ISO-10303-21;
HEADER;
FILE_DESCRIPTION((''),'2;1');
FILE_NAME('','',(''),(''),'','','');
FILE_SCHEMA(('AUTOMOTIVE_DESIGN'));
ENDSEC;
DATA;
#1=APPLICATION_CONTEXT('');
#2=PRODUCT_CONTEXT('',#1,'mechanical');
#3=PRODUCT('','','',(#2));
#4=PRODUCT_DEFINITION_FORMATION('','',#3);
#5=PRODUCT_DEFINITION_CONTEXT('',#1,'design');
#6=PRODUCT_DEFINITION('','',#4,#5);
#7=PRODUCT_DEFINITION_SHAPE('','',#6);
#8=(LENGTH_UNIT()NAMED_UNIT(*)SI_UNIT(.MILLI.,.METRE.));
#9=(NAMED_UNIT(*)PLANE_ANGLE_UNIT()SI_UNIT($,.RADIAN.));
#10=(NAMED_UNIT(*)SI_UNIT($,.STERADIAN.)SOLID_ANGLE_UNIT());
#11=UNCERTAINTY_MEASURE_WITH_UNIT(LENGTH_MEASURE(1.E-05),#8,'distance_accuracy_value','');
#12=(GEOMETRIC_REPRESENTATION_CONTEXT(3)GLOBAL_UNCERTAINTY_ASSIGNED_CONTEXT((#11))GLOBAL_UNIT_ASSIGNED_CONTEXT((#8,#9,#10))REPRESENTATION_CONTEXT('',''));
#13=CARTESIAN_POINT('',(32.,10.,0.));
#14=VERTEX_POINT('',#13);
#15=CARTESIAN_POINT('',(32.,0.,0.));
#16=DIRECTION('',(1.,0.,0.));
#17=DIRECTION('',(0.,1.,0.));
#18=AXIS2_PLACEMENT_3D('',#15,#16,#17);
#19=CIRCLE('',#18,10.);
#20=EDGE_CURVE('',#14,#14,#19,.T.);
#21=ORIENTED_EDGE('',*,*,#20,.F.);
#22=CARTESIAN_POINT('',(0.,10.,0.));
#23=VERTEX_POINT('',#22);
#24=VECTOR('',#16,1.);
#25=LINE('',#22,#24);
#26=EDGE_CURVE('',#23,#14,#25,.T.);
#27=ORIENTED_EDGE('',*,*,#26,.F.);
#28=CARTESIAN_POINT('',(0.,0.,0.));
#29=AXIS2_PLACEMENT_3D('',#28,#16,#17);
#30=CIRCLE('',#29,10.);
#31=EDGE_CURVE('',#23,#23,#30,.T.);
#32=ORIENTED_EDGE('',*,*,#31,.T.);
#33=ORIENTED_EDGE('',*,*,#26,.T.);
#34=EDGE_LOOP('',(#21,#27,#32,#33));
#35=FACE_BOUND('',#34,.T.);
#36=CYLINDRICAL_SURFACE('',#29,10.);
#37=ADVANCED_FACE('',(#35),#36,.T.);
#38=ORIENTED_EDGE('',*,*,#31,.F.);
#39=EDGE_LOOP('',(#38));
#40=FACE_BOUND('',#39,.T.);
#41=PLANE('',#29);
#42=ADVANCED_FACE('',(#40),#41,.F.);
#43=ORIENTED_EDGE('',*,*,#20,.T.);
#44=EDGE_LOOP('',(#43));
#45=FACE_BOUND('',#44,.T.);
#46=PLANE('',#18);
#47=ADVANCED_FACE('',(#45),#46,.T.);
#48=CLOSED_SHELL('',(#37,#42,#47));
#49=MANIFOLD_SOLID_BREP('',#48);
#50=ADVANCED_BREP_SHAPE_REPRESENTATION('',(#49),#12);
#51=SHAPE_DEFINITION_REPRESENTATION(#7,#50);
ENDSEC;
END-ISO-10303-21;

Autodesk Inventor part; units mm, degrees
ref_plane "YZ Plane" through (0, 0, 0) normal (1, 0, 0) x (0, 1, 0)
ref_plane "XZ Plane" through (0, 0, 0) normal (0, 1, 0) x (-1, 0, 0)
ref_plane "XY Plane" through (0, 0, 0) normal (0, 0, 1) x (1, 0, 0)
sketch "Sketch1" plane through (0, 0, 0) normal (0, 0, 1) x (1, 0, 0)
  line L0 (0, 0) -> (0, 10)
  line L1 (0, 10) -> (32, 10)
  line L2 (32, 10) -> (32, 0)
  line L3 (32, 0) -> (0, 0)
  line L4 (0, 0) -> (43.2533, 0) construction
  line L5 (32, 5) -> (22, 5) construction
  line L6 (22, 5) -> (22, 10)
  line L7 (22, 5) -> (22, 0)
  dimension "d0" = 10
  dimension "d1" = 32
  dimension "d3" = 10
revolve "Revolution1" add sketch "Sketch1" angle 360 about axis through (0, 0, 0) along (1, 0, 0)
thread "Thread2" size "M20x2.5" class "6g" standard "ANSI Metric M Profile" length 10
properties part number "Cilindro Final diametro 20 largo 32" material "Aluminum 6061"
